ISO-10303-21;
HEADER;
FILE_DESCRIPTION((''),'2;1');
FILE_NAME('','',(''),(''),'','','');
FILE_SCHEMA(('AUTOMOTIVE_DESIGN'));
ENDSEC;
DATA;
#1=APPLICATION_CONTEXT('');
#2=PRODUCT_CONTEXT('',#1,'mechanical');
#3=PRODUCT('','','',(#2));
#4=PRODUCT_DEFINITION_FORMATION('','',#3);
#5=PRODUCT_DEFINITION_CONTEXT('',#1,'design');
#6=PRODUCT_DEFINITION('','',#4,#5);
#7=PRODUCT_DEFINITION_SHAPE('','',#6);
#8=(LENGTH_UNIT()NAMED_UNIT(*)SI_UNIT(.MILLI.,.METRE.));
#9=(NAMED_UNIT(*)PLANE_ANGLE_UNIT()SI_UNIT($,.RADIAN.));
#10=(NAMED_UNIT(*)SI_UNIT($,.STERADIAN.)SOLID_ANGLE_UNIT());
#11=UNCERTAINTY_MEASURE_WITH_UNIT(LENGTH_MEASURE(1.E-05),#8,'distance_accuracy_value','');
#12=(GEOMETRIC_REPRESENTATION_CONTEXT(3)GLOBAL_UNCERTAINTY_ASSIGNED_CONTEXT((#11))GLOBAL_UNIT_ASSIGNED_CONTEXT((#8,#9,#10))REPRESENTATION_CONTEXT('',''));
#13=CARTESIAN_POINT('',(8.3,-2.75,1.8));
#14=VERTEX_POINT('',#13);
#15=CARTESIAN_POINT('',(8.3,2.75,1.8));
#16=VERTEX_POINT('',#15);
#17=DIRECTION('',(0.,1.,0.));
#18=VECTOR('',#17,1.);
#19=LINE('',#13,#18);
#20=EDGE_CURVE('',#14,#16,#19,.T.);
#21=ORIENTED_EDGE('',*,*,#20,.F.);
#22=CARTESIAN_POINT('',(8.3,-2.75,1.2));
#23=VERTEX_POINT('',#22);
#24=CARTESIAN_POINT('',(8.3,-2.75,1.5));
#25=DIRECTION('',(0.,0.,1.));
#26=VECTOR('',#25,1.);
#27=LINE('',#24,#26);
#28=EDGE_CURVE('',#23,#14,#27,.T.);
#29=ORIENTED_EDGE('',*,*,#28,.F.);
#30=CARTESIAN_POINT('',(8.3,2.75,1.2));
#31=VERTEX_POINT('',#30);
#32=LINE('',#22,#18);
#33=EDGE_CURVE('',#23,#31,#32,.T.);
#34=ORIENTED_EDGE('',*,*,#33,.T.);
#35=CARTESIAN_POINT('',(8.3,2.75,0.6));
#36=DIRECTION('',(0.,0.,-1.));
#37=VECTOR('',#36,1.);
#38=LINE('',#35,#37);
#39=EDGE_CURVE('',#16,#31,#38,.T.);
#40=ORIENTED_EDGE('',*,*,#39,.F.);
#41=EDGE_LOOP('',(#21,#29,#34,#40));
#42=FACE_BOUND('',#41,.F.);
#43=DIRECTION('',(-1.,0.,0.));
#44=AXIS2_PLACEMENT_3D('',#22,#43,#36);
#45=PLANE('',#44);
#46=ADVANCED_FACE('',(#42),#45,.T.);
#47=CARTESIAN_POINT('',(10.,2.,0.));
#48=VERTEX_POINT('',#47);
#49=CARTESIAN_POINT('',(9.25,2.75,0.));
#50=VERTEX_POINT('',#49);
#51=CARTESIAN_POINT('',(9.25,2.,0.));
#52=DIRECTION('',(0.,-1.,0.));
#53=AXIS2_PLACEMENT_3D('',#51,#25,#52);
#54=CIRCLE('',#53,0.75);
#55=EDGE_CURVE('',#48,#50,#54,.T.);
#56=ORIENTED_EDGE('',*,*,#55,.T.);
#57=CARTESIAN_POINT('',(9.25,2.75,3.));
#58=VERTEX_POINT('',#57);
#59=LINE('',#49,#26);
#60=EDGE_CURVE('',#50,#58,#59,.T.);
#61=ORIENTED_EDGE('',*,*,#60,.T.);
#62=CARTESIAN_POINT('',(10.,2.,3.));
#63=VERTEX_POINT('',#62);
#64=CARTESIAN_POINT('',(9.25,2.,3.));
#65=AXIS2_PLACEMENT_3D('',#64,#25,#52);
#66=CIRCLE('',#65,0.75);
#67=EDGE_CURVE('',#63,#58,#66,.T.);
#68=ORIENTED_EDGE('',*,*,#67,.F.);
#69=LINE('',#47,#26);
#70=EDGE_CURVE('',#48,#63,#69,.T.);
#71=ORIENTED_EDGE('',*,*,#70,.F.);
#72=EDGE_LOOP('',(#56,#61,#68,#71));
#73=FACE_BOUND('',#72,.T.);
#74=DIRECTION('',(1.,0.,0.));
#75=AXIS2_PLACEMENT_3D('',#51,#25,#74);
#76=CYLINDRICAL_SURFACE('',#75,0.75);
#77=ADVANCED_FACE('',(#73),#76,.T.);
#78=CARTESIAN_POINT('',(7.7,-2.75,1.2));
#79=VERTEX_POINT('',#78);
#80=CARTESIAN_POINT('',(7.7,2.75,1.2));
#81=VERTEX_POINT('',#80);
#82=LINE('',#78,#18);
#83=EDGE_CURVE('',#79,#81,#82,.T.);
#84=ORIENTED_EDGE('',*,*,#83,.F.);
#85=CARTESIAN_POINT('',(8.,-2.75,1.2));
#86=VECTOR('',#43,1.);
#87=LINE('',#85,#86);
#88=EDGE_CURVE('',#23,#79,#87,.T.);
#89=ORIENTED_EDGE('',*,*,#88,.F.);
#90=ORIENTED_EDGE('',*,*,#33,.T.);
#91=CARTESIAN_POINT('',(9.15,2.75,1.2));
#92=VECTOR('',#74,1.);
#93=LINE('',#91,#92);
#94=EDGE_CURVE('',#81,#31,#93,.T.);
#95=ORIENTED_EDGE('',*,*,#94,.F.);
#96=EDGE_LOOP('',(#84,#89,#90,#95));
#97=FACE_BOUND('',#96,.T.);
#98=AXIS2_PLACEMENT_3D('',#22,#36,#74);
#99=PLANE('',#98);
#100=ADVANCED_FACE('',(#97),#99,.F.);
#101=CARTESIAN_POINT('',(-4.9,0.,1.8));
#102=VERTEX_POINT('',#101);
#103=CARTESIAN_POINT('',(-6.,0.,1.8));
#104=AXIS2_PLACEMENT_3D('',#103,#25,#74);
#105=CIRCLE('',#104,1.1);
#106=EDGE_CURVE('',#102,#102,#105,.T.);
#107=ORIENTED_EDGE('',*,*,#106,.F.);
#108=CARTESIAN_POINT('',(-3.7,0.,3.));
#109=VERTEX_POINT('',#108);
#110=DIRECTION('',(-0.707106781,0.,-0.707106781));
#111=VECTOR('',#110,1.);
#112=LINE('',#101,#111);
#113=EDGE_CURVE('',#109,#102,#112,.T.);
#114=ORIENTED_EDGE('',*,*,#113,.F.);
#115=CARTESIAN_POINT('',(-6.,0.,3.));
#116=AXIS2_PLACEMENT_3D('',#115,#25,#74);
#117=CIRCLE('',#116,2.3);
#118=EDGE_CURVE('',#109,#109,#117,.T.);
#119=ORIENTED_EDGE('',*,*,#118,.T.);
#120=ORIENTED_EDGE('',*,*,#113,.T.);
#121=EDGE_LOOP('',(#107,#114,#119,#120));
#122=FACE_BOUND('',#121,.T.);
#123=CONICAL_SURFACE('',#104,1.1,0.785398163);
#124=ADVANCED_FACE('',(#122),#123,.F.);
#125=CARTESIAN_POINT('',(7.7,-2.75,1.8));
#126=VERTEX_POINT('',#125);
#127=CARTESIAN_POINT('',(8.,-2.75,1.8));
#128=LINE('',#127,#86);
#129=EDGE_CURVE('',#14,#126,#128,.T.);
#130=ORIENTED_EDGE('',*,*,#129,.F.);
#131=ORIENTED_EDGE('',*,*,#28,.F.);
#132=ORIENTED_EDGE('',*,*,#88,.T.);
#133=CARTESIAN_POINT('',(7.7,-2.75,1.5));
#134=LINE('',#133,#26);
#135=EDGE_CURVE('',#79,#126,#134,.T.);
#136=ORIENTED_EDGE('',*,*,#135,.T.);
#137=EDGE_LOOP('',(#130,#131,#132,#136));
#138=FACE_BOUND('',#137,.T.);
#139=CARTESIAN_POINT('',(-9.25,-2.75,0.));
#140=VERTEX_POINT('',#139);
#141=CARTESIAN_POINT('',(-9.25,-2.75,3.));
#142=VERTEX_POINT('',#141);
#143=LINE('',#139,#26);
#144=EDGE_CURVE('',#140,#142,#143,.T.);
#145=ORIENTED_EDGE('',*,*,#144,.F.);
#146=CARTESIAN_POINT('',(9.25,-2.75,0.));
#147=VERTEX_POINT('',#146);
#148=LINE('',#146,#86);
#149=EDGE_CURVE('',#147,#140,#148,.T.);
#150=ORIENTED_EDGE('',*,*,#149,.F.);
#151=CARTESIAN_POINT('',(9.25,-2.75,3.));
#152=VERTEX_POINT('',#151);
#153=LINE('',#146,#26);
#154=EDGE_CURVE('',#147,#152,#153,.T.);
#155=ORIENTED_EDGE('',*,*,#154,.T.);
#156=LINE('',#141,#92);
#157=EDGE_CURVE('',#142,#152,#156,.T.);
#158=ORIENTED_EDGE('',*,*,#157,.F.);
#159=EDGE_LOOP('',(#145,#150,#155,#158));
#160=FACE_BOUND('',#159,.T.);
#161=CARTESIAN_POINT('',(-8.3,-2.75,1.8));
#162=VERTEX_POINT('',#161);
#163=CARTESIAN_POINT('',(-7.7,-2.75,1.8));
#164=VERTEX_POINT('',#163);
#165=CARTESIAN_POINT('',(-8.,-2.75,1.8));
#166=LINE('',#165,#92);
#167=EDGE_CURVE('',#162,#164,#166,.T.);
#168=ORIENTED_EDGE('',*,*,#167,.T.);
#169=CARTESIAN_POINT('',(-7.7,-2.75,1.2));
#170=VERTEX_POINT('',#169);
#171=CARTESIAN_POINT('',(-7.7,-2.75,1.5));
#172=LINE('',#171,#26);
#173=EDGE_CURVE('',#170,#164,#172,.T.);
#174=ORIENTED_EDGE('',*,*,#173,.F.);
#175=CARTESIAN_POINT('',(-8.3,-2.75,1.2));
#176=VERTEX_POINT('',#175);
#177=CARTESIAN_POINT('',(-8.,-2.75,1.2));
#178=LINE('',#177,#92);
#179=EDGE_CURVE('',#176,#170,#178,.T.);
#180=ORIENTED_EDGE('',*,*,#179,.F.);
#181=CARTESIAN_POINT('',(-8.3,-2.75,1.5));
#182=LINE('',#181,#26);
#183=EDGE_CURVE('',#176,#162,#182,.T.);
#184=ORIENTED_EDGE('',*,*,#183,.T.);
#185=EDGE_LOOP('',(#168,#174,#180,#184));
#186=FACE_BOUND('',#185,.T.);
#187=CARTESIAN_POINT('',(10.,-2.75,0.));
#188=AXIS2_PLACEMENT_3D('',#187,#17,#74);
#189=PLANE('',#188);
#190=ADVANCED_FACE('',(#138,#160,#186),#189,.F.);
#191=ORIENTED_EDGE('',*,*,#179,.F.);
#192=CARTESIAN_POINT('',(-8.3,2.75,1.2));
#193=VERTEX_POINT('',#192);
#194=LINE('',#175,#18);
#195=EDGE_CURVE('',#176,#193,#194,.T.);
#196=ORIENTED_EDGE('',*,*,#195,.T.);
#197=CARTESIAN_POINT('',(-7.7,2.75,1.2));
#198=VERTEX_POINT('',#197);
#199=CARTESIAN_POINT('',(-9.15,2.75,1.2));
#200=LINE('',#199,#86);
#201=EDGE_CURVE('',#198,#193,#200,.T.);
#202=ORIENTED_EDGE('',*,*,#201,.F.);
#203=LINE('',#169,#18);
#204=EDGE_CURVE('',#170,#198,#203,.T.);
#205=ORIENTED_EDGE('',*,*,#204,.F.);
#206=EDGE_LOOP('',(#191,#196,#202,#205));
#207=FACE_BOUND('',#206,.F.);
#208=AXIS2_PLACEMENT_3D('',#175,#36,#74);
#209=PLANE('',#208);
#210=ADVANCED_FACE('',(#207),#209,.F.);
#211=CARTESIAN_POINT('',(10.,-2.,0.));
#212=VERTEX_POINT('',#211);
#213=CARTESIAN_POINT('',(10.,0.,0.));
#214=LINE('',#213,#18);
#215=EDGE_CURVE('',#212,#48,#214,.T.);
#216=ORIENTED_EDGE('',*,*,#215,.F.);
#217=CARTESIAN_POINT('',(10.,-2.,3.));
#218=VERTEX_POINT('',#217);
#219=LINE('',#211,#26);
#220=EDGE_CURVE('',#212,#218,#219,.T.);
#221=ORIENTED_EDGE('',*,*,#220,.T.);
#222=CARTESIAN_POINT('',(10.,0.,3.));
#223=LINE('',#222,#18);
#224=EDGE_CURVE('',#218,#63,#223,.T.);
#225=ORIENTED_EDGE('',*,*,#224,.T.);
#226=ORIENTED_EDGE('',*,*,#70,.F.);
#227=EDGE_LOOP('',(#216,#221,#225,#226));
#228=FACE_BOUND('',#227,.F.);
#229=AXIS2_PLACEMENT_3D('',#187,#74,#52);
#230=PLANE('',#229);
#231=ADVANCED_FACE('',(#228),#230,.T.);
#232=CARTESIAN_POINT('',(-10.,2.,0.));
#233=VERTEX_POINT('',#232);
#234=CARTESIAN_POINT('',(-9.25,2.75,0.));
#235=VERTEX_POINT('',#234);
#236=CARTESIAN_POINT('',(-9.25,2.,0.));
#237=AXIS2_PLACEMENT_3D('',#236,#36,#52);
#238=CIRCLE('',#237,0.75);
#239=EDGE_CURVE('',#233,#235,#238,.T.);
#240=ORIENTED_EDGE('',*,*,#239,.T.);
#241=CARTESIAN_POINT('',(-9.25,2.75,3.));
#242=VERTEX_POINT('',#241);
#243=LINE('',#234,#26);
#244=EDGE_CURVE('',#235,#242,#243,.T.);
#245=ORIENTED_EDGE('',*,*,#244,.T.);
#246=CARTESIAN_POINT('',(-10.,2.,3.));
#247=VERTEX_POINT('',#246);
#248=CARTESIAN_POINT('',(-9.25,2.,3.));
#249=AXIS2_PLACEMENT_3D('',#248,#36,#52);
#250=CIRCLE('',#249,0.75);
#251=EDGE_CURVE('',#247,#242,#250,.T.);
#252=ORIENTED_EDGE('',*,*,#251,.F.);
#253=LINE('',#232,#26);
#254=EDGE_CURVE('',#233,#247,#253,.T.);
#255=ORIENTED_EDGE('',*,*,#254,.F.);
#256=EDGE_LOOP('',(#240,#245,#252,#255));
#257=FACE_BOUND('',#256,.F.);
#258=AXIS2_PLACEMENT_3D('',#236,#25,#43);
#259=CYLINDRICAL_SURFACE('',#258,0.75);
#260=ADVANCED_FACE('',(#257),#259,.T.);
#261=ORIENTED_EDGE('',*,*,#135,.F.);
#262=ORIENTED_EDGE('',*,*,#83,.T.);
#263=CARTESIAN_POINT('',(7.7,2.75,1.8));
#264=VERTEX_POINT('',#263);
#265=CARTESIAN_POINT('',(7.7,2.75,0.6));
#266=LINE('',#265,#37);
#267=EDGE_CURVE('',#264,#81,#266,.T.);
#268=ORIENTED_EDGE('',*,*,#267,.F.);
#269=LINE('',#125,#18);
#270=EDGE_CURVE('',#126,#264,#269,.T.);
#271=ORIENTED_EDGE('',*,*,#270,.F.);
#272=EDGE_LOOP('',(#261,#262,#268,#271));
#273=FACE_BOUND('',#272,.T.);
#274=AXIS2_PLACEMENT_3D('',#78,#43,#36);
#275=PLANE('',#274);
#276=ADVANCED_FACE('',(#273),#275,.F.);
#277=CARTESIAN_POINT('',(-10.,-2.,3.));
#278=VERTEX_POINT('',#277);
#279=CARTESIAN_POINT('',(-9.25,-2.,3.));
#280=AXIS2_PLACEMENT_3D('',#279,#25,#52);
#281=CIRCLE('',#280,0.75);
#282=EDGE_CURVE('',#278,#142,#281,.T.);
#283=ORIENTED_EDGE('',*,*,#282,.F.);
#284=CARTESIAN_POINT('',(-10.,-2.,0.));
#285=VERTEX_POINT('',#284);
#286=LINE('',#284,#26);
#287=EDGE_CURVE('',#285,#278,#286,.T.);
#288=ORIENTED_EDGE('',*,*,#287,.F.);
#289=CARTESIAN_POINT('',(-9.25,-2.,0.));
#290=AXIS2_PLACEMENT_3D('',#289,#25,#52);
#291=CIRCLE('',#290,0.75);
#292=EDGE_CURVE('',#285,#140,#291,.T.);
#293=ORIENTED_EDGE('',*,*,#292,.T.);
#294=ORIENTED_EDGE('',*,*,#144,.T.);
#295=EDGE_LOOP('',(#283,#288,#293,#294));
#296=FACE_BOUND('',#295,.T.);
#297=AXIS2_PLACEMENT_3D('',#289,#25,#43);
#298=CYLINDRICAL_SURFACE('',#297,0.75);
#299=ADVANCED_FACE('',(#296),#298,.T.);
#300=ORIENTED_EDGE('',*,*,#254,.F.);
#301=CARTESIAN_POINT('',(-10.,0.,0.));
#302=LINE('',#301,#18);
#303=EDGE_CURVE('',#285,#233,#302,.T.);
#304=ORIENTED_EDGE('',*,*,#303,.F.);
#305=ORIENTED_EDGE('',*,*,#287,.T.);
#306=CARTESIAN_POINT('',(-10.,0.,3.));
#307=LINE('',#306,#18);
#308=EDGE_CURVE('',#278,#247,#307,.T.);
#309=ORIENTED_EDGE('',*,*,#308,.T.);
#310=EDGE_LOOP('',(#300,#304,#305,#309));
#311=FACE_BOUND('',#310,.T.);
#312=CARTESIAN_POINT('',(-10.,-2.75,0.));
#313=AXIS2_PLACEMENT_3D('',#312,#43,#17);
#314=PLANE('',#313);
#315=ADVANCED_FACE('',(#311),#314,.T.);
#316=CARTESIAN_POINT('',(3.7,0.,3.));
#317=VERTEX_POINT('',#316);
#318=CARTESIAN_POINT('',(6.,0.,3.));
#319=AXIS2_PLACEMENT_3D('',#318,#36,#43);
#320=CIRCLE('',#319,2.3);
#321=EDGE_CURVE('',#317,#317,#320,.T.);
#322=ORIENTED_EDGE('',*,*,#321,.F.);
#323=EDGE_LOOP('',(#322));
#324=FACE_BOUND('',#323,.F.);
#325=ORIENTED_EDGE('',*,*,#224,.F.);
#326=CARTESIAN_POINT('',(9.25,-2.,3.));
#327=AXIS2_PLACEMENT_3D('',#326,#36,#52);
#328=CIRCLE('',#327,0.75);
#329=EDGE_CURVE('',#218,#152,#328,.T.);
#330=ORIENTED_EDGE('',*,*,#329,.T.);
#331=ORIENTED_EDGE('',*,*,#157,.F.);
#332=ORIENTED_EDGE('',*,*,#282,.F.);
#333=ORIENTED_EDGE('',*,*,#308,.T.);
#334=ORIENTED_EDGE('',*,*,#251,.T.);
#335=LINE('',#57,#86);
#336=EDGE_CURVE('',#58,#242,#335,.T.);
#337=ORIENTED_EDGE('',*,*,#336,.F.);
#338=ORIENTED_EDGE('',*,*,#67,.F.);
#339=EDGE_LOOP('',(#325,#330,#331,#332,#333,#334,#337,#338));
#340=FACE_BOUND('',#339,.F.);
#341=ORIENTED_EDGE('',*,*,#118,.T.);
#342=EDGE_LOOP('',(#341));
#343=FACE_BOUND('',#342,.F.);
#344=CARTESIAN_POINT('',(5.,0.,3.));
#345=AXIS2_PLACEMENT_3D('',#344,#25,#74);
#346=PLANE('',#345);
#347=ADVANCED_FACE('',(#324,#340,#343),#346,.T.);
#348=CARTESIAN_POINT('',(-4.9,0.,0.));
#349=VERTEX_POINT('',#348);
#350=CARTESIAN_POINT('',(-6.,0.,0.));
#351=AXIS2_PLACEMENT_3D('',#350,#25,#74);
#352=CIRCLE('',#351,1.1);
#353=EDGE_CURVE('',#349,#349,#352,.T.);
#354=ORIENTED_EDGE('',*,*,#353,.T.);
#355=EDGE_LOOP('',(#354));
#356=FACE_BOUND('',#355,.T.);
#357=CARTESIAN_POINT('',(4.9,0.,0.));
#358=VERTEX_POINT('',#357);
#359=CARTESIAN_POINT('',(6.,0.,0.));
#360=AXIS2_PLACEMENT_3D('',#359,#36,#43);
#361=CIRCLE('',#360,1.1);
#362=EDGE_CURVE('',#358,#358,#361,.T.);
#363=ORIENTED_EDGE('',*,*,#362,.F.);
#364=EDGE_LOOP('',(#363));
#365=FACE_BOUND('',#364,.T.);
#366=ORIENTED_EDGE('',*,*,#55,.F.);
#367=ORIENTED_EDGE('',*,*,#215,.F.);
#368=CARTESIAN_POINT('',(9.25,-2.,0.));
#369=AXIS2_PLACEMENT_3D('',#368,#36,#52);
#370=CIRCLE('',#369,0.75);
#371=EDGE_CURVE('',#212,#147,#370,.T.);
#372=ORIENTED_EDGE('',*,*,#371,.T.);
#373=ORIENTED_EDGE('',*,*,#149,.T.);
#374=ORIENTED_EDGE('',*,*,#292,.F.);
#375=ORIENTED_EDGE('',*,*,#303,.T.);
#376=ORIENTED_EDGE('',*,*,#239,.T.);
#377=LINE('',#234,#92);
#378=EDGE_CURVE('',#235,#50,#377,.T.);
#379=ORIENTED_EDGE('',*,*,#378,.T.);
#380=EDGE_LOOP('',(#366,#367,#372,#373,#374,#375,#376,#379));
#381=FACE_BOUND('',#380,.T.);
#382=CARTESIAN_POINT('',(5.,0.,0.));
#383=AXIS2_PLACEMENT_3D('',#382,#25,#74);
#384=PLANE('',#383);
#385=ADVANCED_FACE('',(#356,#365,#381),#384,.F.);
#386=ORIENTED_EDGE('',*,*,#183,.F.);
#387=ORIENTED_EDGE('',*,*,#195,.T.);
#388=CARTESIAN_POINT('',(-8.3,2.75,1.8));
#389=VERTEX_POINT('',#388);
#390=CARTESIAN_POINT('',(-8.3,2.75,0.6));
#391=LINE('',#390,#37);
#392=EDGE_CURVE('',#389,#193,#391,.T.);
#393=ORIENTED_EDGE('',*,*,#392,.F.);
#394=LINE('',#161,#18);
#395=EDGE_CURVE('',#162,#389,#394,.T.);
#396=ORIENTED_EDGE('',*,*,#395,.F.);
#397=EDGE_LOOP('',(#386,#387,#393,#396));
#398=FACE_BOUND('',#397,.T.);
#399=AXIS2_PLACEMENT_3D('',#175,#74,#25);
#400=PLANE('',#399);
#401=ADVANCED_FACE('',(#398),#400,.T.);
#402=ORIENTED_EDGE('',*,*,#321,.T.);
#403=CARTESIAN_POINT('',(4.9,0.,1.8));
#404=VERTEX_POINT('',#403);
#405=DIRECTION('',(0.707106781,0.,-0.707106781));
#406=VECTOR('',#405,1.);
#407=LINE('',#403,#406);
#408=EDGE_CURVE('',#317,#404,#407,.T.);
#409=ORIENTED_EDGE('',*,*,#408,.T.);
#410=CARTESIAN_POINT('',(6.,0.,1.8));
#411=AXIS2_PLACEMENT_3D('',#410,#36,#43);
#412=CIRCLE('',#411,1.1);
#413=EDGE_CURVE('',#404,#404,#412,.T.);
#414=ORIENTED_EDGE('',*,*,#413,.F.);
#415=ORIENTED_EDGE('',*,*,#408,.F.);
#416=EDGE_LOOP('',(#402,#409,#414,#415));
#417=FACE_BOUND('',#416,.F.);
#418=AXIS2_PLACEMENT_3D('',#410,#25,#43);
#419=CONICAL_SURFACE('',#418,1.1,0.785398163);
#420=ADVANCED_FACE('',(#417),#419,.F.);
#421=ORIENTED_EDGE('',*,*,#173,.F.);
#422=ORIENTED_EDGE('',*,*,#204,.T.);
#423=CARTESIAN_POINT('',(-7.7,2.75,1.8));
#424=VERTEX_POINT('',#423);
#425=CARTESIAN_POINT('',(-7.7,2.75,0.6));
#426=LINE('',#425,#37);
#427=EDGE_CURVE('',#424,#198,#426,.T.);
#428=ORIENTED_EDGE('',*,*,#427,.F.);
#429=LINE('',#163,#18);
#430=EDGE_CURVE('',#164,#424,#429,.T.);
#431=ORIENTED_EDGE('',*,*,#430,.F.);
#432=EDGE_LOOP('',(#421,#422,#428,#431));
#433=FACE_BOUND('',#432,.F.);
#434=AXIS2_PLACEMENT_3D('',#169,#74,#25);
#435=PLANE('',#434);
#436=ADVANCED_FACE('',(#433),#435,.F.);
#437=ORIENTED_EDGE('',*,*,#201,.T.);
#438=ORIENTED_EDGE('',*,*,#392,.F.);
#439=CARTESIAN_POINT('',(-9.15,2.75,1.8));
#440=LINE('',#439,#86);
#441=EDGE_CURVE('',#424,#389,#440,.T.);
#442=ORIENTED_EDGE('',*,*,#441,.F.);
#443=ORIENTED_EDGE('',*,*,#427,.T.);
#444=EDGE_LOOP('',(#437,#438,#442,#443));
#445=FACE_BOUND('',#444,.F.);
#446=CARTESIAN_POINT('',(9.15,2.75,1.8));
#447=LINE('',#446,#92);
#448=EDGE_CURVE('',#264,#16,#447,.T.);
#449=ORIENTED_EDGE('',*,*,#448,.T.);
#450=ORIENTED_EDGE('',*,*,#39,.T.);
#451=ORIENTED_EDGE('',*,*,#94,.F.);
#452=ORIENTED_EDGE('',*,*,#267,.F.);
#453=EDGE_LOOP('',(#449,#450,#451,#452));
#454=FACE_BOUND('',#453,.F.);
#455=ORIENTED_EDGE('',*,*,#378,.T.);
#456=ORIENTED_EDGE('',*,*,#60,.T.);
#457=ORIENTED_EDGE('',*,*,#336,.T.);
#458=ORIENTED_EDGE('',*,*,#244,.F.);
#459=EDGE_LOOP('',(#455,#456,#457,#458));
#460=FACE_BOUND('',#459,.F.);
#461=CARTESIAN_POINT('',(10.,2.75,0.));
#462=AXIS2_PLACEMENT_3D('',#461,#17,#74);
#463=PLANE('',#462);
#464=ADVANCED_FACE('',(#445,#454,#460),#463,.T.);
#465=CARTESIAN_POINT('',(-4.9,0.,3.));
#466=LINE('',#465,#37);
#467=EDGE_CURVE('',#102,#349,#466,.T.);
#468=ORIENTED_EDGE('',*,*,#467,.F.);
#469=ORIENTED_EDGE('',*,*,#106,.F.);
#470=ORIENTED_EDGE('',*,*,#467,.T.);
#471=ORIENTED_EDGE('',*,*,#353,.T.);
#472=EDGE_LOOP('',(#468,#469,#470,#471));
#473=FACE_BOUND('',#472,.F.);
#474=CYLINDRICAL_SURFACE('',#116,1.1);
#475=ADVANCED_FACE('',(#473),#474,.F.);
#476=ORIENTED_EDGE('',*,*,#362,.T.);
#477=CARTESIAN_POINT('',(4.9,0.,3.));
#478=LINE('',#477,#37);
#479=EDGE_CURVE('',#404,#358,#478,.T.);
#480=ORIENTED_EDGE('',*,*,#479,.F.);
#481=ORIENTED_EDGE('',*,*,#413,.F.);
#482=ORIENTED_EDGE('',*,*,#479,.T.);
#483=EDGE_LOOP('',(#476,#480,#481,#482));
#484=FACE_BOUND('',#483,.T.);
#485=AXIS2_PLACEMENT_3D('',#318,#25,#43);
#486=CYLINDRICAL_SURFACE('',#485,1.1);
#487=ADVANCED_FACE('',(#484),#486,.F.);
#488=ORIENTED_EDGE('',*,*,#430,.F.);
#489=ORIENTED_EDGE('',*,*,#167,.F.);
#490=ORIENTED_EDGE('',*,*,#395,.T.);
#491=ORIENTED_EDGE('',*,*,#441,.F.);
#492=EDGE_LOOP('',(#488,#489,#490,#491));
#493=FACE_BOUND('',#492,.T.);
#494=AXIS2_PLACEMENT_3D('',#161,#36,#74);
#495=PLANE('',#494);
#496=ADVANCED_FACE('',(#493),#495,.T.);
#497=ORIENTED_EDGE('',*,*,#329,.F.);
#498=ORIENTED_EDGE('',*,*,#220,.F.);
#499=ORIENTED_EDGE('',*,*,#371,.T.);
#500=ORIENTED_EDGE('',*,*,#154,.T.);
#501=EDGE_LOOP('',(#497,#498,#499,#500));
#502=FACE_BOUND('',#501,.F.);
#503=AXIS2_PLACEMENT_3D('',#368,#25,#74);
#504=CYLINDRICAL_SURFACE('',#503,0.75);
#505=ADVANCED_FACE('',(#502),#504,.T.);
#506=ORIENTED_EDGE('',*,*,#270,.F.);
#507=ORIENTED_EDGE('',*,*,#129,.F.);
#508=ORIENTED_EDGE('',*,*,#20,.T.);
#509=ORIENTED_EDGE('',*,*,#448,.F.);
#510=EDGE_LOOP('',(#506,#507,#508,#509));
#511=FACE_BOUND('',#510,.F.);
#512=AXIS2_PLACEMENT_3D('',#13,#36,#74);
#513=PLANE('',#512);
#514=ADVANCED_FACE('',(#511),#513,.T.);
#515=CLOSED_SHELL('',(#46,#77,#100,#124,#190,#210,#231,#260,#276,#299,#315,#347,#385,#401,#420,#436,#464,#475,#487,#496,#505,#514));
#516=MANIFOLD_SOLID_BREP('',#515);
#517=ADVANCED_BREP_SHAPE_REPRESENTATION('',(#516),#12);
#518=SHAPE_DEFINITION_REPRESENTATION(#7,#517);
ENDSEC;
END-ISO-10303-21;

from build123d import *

# Parameters (mm, degrees)
SKETCH_W        = 10
SKETCH_H        = 5.5
PAD_DEPTH       = 3
SKETCH001_R     = 1.1
POCKET_DEPTH    = 3.001
SKETCH002_W     = 0.6
SKETCH002_H     = 0.6
POCKET001_DEPTH = 5.501
FILLET_R        = 0.75
CHAMFER_SIZE    = 1.2


with BuildPart() as part:
    # Sketch → Pad (new body)
    with BuildSketch(Plane.XY):
        with Locations((-5, 0)):
            Rectangle(SKETCH_W, SKETCH_H)
    extrude(amount=PAD_DEPTH)

    # Sketch001 (on Face6 of Pad) → Pocket (cut, through all)
    with BuildSketch(Plane.XY.offset(3)):
        with Locations((-6, 0)):
            Circle(SKETCH001_R)
    extrude(amount=-POCKET_DEPTH, mode=Mode.SUBTRACT)

    # Sketch002 (on Face1 of Pocket) → Pocket001 (cut, through all)
    with BuildSketch(Plane.XZ.offset(2.75)):
        with Locations((-8, 1.5)):
            Rectangle(SKETCH002_W, SKETCH002_H)
    extrude(amount=-POCKET001_DEPTH, mode=Mode.SUBTRACT)

    # Fillet
    fillet_edges = [part.edges().sort_by_distance(p)[0] for p in [
        (-10, -2.75, 1.5),
        (-10, 2.75, 1.5),
    ]]
    fillet(fillet_edges, radius=FILLET_R)

    # Mirrored: part across YZ


with BuildPart() as part_1:
    add(part.part)
    add(part.part.mirror(Plane.YZ))

    # Chamfer
    chamfer_edges = [part_1.edges().sort_by_distance(p)[0] for p in [
        (-7.1, 0, 3),
        (7.1, 0, 3),
    ]]
    chamfer(chamfer_edges, length=CHAMFER_SIZE)


solid = part_1.part
